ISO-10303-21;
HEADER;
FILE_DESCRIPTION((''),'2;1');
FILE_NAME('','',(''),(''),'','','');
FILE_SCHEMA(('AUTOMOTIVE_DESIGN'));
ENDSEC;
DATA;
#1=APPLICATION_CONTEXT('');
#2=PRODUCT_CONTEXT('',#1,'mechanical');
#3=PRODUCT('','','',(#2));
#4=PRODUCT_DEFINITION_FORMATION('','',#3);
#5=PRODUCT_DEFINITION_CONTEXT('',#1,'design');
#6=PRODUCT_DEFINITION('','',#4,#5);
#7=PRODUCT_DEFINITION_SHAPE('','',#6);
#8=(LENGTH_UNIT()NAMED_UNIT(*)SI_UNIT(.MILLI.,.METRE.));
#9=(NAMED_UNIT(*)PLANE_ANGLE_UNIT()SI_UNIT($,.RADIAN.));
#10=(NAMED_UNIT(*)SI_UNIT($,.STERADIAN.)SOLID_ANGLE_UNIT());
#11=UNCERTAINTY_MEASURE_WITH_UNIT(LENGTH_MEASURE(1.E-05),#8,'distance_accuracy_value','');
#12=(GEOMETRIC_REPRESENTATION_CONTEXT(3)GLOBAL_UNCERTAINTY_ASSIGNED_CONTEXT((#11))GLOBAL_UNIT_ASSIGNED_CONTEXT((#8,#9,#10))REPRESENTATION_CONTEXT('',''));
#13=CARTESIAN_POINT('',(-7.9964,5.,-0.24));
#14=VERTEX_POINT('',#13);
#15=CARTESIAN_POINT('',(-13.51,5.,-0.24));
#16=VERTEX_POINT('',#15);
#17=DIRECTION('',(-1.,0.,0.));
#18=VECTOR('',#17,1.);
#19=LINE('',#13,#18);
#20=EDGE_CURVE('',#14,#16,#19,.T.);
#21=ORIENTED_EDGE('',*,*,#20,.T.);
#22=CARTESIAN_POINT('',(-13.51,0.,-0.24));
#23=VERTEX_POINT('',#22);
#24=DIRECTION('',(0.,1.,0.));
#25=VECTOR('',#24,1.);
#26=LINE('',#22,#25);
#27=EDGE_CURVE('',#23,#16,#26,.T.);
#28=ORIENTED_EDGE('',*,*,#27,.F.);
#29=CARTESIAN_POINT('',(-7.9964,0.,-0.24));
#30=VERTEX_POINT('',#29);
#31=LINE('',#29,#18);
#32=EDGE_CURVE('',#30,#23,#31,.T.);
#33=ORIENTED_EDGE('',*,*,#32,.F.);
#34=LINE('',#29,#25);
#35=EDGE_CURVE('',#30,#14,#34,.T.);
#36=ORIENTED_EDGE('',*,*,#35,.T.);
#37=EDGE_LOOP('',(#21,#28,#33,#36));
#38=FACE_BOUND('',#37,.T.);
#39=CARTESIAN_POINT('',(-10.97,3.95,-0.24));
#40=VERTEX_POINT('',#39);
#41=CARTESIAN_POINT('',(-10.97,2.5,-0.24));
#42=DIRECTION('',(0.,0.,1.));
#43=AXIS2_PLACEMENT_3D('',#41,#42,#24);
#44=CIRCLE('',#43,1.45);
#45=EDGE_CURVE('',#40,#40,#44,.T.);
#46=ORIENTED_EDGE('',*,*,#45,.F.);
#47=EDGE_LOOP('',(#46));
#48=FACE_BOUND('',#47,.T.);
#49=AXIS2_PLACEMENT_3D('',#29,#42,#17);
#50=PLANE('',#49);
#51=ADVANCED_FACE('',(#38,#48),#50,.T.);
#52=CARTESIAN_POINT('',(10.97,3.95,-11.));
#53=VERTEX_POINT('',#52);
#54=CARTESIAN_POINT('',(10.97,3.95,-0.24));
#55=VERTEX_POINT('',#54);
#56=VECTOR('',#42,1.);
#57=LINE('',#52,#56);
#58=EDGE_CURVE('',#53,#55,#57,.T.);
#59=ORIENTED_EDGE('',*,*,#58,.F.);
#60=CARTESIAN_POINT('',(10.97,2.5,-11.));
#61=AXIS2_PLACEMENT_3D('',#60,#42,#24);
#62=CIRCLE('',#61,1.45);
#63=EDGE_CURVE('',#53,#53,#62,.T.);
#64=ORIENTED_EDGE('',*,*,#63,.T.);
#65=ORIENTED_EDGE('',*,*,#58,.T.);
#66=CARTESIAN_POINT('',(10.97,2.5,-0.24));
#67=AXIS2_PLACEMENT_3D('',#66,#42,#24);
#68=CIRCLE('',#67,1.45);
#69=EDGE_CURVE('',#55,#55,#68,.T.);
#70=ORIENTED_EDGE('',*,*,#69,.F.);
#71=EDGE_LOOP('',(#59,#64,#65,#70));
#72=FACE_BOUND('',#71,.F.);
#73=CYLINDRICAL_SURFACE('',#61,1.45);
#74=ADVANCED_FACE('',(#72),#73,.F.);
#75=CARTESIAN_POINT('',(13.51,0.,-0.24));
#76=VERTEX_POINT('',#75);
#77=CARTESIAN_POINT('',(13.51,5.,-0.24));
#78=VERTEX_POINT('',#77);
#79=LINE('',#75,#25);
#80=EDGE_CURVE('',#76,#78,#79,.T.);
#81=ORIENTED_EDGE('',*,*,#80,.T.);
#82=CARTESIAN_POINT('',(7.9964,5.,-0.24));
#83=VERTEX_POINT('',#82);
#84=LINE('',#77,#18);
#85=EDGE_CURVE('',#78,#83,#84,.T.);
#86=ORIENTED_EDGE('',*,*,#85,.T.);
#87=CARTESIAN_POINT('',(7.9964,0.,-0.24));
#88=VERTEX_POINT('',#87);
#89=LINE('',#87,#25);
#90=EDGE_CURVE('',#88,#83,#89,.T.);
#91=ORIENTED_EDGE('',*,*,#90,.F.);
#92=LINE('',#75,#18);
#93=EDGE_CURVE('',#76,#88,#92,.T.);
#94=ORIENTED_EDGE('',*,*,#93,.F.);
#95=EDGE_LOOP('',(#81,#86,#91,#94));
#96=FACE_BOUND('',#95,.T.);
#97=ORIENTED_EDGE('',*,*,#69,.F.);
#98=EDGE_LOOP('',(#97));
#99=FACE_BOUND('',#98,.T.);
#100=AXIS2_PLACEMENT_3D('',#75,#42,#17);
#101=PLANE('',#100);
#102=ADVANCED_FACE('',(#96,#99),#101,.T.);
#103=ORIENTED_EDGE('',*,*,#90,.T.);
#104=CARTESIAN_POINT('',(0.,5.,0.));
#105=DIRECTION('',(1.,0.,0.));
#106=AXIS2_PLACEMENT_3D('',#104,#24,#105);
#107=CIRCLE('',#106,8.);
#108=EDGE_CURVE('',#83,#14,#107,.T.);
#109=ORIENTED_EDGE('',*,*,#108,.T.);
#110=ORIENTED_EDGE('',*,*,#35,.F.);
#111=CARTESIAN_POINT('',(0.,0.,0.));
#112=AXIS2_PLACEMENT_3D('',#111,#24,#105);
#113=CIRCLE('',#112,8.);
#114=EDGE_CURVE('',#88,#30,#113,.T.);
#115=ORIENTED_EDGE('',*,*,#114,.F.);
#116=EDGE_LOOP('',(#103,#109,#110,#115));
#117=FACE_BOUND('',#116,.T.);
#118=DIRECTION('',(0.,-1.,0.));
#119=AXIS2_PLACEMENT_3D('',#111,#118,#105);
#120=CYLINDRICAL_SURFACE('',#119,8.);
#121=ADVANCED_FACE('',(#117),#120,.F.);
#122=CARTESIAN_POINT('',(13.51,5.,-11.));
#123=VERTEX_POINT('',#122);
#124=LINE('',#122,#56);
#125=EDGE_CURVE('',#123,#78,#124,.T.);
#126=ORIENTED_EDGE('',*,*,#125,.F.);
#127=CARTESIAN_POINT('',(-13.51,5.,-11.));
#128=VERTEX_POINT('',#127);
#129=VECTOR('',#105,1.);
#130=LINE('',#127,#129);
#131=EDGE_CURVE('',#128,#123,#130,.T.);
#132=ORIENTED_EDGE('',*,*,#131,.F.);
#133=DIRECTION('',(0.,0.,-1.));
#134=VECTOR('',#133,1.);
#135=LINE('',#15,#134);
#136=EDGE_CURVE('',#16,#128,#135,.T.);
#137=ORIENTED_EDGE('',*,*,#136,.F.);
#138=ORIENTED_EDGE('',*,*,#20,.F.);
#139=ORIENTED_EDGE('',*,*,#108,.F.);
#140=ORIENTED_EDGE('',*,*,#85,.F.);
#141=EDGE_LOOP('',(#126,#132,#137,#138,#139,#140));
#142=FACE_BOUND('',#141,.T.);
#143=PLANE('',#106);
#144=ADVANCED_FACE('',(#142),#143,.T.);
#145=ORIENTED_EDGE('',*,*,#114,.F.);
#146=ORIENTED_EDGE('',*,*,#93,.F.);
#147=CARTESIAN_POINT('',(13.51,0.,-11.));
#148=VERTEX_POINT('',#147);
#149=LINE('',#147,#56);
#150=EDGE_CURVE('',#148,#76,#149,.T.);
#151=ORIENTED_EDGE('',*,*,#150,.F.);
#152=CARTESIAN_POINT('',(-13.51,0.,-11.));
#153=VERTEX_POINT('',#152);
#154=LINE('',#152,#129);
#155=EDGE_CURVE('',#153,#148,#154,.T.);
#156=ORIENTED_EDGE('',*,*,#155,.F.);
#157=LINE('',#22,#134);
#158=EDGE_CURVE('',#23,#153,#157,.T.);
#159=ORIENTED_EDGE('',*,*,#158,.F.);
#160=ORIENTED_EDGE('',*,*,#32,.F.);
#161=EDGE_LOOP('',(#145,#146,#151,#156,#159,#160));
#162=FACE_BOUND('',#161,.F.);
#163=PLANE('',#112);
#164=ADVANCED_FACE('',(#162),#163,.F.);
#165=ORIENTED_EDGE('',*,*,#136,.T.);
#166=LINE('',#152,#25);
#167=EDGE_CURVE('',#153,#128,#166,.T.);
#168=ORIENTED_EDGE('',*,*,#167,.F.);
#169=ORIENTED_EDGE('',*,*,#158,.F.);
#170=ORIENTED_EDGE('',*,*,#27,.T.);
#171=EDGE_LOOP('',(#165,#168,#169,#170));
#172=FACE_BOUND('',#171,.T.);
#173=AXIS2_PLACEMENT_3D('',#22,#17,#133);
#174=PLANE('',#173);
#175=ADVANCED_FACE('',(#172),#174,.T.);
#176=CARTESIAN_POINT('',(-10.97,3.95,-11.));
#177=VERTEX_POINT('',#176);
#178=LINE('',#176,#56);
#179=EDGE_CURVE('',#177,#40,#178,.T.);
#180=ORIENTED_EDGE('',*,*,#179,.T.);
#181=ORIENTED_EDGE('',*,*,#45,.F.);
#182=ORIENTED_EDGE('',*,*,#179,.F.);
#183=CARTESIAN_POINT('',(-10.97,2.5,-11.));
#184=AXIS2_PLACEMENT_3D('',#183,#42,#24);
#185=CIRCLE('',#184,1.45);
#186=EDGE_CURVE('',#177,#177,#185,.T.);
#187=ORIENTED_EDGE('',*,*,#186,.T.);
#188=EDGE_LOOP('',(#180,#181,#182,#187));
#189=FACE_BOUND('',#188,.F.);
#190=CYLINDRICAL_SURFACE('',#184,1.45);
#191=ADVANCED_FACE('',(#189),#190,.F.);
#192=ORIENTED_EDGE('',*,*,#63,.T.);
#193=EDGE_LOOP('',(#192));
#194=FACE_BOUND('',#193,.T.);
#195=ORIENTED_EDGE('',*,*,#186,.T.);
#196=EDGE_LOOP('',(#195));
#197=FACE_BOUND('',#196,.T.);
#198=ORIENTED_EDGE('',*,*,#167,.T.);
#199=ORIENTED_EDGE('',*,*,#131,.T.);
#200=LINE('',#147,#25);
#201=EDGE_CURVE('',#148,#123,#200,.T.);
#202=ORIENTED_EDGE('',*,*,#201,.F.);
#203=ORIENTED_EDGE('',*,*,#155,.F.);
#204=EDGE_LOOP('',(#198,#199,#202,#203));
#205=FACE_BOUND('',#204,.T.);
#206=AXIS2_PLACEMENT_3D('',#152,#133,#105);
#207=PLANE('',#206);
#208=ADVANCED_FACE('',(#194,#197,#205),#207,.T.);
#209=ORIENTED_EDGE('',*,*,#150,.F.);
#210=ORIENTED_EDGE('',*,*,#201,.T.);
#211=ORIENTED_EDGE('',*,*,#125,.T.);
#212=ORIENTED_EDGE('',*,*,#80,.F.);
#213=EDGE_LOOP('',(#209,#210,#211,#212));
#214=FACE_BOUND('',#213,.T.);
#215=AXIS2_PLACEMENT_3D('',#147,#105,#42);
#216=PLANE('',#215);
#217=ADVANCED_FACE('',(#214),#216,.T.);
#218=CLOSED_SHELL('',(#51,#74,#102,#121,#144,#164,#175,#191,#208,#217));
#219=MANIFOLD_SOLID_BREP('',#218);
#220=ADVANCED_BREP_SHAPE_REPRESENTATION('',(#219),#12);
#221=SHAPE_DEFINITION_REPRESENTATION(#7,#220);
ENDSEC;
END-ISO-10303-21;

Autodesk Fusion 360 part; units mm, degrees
sketch "Sketch1" plane through (0, 0, 0) normal (0, 1, 0) x (1, 0, 0)
  circle A0 centre (0, 0) radius 8
  line L0 (-7.9964, 0.24) -> (-13.51, 0.24)
  line L1 (-13.51, 0.24) -> (-13.51, 11)
  line L2 (-13.51, 11) -> (13.51, 11)
  line L3 (13.51, 11) -> (13.51, 0.24)
  line L4 (13.51, 0.24) -> (7.9964, 0.24)
  point P0 (0, 8)
  dimension "d1" = 27.02
  dimension "d2" = 10.76
  dimension "d3" = 16
  dimension "d4" = 3
extrude "Extrude1" add sketch "Sketch1" along normal blind 5 contours A0 L0 L1 L2 L3 L4
sketch "Sketch2" plane through (0, 0, -11) normal (0, 0, -1) x (1, 0, 0)
  line L0 (13.51, 0) -> (-13.51, 0)
  line L1 (-13.51, 0) -> (-13.51, -5)
  line L2 (-13.51, -5) -> (13.51, -5)
  line L3 (13.51, -5) -> (13.51, 0)
  line L4 (-10.97, -2.5) -> (10.97, -2.5) construction
  point P0 (13.51, -2.5)
  point P1 (0, -2.5)
  dimension "d7" = 21.94
hole "Hole1" at (-10.97, 2.5, -11) at (10.97, 2.5, -11) direction (0, 0, 1) diameter 2.9 end through all
